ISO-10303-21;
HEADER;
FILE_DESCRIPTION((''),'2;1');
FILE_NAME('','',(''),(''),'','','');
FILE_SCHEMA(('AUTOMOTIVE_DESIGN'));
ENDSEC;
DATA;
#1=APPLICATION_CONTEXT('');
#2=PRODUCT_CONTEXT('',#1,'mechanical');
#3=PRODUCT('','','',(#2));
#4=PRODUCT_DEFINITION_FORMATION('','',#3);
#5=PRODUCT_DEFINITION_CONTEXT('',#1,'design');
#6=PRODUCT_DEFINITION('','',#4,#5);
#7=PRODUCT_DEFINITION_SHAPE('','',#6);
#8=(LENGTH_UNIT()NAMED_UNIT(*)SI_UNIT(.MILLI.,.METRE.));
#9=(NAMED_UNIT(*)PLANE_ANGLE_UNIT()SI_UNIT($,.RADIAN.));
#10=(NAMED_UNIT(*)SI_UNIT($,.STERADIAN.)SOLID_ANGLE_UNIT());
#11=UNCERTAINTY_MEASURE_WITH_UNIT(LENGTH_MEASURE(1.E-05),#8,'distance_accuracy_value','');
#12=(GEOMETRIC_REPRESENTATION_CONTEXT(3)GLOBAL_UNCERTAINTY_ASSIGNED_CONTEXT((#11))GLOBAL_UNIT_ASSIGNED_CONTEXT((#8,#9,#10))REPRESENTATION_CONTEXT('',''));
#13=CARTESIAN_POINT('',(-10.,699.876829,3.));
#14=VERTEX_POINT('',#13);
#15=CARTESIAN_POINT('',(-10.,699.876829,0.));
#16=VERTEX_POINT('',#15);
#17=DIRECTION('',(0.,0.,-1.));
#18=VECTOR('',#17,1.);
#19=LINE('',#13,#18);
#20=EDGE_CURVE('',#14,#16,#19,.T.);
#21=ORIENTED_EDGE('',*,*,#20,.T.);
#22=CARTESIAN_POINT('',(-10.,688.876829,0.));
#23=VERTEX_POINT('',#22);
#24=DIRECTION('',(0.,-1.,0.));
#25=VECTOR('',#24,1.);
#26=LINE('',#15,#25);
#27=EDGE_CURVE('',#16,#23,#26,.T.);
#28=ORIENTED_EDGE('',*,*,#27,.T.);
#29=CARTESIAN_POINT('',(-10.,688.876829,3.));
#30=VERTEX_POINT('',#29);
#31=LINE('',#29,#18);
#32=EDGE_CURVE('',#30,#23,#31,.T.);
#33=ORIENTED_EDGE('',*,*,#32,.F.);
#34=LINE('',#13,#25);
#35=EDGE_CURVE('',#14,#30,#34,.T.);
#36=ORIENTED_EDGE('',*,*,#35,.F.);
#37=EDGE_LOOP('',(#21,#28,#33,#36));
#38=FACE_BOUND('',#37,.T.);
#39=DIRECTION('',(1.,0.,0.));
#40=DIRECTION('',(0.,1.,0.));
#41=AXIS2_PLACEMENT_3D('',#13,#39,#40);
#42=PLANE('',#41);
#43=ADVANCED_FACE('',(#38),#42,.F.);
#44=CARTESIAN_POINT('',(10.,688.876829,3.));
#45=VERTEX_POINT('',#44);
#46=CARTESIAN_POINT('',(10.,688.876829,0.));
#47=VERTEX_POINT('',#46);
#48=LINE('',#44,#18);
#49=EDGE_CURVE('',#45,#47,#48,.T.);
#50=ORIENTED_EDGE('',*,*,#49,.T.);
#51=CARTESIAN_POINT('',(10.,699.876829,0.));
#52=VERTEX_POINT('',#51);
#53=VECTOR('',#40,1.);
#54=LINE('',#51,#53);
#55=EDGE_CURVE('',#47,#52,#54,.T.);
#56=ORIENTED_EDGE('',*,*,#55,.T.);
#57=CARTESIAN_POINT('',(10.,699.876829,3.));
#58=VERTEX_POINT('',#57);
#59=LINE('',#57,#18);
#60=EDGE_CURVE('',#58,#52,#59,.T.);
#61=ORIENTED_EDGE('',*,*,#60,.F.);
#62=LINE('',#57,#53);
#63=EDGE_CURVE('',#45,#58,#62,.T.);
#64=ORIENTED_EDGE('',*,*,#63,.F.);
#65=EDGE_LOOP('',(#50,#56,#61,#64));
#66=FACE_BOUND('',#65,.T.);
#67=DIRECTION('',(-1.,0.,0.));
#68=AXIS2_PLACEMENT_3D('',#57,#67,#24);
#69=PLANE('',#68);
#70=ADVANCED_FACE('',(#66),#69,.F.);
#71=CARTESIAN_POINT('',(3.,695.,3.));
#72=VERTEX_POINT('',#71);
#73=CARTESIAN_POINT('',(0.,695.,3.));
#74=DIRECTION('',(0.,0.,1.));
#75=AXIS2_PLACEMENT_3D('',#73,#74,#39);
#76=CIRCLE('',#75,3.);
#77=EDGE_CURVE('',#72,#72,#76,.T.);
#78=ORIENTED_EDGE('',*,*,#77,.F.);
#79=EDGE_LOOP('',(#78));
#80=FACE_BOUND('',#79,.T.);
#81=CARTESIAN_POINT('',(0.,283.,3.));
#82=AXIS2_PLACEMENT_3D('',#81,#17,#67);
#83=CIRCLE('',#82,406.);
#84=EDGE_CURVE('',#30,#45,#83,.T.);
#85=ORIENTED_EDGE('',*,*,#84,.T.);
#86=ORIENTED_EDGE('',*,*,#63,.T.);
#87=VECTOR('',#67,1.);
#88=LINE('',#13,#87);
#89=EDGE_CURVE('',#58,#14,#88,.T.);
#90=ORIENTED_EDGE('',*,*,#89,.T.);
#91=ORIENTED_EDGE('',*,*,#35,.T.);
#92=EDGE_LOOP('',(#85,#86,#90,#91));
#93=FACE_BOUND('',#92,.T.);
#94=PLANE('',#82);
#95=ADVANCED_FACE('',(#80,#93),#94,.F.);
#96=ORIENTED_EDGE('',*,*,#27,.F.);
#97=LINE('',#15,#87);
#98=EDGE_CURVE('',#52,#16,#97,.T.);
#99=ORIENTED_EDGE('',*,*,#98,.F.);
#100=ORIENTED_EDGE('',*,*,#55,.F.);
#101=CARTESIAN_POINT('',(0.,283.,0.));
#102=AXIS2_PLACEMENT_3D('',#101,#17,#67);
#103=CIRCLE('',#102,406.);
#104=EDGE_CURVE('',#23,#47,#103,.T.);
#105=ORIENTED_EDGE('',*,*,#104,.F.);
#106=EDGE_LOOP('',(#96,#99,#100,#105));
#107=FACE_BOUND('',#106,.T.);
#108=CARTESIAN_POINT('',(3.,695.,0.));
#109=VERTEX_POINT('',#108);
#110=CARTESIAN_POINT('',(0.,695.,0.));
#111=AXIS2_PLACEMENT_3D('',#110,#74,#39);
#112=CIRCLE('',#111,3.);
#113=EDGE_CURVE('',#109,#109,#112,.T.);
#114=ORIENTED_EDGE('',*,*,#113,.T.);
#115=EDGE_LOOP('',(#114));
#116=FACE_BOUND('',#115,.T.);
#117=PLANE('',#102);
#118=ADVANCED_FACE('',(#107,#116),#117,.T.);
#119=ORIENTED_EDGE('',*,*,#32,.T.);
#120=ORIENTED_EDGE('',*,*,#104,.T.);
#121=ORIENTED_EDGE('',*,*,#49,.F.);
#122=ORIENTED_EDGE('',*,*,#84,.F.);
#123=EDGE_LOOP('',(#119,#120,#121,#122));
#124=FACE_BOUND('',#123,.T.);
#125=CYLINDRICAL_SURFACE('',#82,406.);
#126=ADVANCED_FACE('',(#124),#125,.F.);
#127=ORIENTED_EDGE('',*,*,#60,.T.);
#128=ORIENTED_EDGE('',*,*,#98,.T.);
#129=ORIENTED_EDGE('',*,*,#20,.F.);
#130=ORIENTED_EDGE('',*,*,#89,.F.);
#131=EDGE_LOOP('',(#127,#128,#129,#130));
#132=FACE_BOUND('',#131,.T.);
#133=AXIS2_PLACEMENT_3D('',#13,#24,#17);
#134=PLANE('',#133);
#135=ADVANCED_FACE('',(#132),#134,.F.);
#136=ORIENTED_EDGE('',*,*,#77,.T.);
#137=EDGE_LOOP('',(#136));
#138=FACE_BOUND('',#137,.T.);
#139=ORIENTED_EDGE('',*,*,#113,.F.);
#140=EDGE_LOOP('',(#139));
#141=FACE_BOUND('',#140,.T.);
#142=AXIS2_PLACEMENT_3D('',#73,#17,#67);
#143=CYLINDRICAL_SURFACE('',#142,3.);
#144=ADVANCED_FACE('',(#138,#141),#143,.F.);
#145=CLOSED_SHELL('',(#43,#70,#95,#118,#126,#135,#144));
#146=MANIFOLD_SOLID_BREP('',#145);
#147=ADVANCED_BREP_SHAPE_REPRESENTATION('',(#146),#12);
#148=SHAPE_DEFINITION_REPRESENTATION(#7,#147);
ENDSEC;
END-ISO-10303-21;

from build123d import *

# Parameters (mm, degrees)
SKETCH_1_R      = 3
EXTRUDE_1_DEPTH = 3


with BuildPart() as part:
    # Эскиз1 → Бобышка-Вытянуть1 (new body)
    with BuildSketch(Plane.XY):
        with BuildLine():
            Line((-10, 699.876828607), (10, 699.876828607))
            Line((10, 699.876828607), (10, 688.876828607))
            ThreePointArc((10, 688.876828607), (0, 689), (-10, 688.876828607))
            Line((-10, 688.876828607), (-10, 699.876828607))
        make_face()
        with Locations((0, 695)):
            Circle(SKETCH_1_R, mode=Mode.SUBTRACT)
    extrude(amount=EXTRUDE_1_DEPTH)


solid = part.part
